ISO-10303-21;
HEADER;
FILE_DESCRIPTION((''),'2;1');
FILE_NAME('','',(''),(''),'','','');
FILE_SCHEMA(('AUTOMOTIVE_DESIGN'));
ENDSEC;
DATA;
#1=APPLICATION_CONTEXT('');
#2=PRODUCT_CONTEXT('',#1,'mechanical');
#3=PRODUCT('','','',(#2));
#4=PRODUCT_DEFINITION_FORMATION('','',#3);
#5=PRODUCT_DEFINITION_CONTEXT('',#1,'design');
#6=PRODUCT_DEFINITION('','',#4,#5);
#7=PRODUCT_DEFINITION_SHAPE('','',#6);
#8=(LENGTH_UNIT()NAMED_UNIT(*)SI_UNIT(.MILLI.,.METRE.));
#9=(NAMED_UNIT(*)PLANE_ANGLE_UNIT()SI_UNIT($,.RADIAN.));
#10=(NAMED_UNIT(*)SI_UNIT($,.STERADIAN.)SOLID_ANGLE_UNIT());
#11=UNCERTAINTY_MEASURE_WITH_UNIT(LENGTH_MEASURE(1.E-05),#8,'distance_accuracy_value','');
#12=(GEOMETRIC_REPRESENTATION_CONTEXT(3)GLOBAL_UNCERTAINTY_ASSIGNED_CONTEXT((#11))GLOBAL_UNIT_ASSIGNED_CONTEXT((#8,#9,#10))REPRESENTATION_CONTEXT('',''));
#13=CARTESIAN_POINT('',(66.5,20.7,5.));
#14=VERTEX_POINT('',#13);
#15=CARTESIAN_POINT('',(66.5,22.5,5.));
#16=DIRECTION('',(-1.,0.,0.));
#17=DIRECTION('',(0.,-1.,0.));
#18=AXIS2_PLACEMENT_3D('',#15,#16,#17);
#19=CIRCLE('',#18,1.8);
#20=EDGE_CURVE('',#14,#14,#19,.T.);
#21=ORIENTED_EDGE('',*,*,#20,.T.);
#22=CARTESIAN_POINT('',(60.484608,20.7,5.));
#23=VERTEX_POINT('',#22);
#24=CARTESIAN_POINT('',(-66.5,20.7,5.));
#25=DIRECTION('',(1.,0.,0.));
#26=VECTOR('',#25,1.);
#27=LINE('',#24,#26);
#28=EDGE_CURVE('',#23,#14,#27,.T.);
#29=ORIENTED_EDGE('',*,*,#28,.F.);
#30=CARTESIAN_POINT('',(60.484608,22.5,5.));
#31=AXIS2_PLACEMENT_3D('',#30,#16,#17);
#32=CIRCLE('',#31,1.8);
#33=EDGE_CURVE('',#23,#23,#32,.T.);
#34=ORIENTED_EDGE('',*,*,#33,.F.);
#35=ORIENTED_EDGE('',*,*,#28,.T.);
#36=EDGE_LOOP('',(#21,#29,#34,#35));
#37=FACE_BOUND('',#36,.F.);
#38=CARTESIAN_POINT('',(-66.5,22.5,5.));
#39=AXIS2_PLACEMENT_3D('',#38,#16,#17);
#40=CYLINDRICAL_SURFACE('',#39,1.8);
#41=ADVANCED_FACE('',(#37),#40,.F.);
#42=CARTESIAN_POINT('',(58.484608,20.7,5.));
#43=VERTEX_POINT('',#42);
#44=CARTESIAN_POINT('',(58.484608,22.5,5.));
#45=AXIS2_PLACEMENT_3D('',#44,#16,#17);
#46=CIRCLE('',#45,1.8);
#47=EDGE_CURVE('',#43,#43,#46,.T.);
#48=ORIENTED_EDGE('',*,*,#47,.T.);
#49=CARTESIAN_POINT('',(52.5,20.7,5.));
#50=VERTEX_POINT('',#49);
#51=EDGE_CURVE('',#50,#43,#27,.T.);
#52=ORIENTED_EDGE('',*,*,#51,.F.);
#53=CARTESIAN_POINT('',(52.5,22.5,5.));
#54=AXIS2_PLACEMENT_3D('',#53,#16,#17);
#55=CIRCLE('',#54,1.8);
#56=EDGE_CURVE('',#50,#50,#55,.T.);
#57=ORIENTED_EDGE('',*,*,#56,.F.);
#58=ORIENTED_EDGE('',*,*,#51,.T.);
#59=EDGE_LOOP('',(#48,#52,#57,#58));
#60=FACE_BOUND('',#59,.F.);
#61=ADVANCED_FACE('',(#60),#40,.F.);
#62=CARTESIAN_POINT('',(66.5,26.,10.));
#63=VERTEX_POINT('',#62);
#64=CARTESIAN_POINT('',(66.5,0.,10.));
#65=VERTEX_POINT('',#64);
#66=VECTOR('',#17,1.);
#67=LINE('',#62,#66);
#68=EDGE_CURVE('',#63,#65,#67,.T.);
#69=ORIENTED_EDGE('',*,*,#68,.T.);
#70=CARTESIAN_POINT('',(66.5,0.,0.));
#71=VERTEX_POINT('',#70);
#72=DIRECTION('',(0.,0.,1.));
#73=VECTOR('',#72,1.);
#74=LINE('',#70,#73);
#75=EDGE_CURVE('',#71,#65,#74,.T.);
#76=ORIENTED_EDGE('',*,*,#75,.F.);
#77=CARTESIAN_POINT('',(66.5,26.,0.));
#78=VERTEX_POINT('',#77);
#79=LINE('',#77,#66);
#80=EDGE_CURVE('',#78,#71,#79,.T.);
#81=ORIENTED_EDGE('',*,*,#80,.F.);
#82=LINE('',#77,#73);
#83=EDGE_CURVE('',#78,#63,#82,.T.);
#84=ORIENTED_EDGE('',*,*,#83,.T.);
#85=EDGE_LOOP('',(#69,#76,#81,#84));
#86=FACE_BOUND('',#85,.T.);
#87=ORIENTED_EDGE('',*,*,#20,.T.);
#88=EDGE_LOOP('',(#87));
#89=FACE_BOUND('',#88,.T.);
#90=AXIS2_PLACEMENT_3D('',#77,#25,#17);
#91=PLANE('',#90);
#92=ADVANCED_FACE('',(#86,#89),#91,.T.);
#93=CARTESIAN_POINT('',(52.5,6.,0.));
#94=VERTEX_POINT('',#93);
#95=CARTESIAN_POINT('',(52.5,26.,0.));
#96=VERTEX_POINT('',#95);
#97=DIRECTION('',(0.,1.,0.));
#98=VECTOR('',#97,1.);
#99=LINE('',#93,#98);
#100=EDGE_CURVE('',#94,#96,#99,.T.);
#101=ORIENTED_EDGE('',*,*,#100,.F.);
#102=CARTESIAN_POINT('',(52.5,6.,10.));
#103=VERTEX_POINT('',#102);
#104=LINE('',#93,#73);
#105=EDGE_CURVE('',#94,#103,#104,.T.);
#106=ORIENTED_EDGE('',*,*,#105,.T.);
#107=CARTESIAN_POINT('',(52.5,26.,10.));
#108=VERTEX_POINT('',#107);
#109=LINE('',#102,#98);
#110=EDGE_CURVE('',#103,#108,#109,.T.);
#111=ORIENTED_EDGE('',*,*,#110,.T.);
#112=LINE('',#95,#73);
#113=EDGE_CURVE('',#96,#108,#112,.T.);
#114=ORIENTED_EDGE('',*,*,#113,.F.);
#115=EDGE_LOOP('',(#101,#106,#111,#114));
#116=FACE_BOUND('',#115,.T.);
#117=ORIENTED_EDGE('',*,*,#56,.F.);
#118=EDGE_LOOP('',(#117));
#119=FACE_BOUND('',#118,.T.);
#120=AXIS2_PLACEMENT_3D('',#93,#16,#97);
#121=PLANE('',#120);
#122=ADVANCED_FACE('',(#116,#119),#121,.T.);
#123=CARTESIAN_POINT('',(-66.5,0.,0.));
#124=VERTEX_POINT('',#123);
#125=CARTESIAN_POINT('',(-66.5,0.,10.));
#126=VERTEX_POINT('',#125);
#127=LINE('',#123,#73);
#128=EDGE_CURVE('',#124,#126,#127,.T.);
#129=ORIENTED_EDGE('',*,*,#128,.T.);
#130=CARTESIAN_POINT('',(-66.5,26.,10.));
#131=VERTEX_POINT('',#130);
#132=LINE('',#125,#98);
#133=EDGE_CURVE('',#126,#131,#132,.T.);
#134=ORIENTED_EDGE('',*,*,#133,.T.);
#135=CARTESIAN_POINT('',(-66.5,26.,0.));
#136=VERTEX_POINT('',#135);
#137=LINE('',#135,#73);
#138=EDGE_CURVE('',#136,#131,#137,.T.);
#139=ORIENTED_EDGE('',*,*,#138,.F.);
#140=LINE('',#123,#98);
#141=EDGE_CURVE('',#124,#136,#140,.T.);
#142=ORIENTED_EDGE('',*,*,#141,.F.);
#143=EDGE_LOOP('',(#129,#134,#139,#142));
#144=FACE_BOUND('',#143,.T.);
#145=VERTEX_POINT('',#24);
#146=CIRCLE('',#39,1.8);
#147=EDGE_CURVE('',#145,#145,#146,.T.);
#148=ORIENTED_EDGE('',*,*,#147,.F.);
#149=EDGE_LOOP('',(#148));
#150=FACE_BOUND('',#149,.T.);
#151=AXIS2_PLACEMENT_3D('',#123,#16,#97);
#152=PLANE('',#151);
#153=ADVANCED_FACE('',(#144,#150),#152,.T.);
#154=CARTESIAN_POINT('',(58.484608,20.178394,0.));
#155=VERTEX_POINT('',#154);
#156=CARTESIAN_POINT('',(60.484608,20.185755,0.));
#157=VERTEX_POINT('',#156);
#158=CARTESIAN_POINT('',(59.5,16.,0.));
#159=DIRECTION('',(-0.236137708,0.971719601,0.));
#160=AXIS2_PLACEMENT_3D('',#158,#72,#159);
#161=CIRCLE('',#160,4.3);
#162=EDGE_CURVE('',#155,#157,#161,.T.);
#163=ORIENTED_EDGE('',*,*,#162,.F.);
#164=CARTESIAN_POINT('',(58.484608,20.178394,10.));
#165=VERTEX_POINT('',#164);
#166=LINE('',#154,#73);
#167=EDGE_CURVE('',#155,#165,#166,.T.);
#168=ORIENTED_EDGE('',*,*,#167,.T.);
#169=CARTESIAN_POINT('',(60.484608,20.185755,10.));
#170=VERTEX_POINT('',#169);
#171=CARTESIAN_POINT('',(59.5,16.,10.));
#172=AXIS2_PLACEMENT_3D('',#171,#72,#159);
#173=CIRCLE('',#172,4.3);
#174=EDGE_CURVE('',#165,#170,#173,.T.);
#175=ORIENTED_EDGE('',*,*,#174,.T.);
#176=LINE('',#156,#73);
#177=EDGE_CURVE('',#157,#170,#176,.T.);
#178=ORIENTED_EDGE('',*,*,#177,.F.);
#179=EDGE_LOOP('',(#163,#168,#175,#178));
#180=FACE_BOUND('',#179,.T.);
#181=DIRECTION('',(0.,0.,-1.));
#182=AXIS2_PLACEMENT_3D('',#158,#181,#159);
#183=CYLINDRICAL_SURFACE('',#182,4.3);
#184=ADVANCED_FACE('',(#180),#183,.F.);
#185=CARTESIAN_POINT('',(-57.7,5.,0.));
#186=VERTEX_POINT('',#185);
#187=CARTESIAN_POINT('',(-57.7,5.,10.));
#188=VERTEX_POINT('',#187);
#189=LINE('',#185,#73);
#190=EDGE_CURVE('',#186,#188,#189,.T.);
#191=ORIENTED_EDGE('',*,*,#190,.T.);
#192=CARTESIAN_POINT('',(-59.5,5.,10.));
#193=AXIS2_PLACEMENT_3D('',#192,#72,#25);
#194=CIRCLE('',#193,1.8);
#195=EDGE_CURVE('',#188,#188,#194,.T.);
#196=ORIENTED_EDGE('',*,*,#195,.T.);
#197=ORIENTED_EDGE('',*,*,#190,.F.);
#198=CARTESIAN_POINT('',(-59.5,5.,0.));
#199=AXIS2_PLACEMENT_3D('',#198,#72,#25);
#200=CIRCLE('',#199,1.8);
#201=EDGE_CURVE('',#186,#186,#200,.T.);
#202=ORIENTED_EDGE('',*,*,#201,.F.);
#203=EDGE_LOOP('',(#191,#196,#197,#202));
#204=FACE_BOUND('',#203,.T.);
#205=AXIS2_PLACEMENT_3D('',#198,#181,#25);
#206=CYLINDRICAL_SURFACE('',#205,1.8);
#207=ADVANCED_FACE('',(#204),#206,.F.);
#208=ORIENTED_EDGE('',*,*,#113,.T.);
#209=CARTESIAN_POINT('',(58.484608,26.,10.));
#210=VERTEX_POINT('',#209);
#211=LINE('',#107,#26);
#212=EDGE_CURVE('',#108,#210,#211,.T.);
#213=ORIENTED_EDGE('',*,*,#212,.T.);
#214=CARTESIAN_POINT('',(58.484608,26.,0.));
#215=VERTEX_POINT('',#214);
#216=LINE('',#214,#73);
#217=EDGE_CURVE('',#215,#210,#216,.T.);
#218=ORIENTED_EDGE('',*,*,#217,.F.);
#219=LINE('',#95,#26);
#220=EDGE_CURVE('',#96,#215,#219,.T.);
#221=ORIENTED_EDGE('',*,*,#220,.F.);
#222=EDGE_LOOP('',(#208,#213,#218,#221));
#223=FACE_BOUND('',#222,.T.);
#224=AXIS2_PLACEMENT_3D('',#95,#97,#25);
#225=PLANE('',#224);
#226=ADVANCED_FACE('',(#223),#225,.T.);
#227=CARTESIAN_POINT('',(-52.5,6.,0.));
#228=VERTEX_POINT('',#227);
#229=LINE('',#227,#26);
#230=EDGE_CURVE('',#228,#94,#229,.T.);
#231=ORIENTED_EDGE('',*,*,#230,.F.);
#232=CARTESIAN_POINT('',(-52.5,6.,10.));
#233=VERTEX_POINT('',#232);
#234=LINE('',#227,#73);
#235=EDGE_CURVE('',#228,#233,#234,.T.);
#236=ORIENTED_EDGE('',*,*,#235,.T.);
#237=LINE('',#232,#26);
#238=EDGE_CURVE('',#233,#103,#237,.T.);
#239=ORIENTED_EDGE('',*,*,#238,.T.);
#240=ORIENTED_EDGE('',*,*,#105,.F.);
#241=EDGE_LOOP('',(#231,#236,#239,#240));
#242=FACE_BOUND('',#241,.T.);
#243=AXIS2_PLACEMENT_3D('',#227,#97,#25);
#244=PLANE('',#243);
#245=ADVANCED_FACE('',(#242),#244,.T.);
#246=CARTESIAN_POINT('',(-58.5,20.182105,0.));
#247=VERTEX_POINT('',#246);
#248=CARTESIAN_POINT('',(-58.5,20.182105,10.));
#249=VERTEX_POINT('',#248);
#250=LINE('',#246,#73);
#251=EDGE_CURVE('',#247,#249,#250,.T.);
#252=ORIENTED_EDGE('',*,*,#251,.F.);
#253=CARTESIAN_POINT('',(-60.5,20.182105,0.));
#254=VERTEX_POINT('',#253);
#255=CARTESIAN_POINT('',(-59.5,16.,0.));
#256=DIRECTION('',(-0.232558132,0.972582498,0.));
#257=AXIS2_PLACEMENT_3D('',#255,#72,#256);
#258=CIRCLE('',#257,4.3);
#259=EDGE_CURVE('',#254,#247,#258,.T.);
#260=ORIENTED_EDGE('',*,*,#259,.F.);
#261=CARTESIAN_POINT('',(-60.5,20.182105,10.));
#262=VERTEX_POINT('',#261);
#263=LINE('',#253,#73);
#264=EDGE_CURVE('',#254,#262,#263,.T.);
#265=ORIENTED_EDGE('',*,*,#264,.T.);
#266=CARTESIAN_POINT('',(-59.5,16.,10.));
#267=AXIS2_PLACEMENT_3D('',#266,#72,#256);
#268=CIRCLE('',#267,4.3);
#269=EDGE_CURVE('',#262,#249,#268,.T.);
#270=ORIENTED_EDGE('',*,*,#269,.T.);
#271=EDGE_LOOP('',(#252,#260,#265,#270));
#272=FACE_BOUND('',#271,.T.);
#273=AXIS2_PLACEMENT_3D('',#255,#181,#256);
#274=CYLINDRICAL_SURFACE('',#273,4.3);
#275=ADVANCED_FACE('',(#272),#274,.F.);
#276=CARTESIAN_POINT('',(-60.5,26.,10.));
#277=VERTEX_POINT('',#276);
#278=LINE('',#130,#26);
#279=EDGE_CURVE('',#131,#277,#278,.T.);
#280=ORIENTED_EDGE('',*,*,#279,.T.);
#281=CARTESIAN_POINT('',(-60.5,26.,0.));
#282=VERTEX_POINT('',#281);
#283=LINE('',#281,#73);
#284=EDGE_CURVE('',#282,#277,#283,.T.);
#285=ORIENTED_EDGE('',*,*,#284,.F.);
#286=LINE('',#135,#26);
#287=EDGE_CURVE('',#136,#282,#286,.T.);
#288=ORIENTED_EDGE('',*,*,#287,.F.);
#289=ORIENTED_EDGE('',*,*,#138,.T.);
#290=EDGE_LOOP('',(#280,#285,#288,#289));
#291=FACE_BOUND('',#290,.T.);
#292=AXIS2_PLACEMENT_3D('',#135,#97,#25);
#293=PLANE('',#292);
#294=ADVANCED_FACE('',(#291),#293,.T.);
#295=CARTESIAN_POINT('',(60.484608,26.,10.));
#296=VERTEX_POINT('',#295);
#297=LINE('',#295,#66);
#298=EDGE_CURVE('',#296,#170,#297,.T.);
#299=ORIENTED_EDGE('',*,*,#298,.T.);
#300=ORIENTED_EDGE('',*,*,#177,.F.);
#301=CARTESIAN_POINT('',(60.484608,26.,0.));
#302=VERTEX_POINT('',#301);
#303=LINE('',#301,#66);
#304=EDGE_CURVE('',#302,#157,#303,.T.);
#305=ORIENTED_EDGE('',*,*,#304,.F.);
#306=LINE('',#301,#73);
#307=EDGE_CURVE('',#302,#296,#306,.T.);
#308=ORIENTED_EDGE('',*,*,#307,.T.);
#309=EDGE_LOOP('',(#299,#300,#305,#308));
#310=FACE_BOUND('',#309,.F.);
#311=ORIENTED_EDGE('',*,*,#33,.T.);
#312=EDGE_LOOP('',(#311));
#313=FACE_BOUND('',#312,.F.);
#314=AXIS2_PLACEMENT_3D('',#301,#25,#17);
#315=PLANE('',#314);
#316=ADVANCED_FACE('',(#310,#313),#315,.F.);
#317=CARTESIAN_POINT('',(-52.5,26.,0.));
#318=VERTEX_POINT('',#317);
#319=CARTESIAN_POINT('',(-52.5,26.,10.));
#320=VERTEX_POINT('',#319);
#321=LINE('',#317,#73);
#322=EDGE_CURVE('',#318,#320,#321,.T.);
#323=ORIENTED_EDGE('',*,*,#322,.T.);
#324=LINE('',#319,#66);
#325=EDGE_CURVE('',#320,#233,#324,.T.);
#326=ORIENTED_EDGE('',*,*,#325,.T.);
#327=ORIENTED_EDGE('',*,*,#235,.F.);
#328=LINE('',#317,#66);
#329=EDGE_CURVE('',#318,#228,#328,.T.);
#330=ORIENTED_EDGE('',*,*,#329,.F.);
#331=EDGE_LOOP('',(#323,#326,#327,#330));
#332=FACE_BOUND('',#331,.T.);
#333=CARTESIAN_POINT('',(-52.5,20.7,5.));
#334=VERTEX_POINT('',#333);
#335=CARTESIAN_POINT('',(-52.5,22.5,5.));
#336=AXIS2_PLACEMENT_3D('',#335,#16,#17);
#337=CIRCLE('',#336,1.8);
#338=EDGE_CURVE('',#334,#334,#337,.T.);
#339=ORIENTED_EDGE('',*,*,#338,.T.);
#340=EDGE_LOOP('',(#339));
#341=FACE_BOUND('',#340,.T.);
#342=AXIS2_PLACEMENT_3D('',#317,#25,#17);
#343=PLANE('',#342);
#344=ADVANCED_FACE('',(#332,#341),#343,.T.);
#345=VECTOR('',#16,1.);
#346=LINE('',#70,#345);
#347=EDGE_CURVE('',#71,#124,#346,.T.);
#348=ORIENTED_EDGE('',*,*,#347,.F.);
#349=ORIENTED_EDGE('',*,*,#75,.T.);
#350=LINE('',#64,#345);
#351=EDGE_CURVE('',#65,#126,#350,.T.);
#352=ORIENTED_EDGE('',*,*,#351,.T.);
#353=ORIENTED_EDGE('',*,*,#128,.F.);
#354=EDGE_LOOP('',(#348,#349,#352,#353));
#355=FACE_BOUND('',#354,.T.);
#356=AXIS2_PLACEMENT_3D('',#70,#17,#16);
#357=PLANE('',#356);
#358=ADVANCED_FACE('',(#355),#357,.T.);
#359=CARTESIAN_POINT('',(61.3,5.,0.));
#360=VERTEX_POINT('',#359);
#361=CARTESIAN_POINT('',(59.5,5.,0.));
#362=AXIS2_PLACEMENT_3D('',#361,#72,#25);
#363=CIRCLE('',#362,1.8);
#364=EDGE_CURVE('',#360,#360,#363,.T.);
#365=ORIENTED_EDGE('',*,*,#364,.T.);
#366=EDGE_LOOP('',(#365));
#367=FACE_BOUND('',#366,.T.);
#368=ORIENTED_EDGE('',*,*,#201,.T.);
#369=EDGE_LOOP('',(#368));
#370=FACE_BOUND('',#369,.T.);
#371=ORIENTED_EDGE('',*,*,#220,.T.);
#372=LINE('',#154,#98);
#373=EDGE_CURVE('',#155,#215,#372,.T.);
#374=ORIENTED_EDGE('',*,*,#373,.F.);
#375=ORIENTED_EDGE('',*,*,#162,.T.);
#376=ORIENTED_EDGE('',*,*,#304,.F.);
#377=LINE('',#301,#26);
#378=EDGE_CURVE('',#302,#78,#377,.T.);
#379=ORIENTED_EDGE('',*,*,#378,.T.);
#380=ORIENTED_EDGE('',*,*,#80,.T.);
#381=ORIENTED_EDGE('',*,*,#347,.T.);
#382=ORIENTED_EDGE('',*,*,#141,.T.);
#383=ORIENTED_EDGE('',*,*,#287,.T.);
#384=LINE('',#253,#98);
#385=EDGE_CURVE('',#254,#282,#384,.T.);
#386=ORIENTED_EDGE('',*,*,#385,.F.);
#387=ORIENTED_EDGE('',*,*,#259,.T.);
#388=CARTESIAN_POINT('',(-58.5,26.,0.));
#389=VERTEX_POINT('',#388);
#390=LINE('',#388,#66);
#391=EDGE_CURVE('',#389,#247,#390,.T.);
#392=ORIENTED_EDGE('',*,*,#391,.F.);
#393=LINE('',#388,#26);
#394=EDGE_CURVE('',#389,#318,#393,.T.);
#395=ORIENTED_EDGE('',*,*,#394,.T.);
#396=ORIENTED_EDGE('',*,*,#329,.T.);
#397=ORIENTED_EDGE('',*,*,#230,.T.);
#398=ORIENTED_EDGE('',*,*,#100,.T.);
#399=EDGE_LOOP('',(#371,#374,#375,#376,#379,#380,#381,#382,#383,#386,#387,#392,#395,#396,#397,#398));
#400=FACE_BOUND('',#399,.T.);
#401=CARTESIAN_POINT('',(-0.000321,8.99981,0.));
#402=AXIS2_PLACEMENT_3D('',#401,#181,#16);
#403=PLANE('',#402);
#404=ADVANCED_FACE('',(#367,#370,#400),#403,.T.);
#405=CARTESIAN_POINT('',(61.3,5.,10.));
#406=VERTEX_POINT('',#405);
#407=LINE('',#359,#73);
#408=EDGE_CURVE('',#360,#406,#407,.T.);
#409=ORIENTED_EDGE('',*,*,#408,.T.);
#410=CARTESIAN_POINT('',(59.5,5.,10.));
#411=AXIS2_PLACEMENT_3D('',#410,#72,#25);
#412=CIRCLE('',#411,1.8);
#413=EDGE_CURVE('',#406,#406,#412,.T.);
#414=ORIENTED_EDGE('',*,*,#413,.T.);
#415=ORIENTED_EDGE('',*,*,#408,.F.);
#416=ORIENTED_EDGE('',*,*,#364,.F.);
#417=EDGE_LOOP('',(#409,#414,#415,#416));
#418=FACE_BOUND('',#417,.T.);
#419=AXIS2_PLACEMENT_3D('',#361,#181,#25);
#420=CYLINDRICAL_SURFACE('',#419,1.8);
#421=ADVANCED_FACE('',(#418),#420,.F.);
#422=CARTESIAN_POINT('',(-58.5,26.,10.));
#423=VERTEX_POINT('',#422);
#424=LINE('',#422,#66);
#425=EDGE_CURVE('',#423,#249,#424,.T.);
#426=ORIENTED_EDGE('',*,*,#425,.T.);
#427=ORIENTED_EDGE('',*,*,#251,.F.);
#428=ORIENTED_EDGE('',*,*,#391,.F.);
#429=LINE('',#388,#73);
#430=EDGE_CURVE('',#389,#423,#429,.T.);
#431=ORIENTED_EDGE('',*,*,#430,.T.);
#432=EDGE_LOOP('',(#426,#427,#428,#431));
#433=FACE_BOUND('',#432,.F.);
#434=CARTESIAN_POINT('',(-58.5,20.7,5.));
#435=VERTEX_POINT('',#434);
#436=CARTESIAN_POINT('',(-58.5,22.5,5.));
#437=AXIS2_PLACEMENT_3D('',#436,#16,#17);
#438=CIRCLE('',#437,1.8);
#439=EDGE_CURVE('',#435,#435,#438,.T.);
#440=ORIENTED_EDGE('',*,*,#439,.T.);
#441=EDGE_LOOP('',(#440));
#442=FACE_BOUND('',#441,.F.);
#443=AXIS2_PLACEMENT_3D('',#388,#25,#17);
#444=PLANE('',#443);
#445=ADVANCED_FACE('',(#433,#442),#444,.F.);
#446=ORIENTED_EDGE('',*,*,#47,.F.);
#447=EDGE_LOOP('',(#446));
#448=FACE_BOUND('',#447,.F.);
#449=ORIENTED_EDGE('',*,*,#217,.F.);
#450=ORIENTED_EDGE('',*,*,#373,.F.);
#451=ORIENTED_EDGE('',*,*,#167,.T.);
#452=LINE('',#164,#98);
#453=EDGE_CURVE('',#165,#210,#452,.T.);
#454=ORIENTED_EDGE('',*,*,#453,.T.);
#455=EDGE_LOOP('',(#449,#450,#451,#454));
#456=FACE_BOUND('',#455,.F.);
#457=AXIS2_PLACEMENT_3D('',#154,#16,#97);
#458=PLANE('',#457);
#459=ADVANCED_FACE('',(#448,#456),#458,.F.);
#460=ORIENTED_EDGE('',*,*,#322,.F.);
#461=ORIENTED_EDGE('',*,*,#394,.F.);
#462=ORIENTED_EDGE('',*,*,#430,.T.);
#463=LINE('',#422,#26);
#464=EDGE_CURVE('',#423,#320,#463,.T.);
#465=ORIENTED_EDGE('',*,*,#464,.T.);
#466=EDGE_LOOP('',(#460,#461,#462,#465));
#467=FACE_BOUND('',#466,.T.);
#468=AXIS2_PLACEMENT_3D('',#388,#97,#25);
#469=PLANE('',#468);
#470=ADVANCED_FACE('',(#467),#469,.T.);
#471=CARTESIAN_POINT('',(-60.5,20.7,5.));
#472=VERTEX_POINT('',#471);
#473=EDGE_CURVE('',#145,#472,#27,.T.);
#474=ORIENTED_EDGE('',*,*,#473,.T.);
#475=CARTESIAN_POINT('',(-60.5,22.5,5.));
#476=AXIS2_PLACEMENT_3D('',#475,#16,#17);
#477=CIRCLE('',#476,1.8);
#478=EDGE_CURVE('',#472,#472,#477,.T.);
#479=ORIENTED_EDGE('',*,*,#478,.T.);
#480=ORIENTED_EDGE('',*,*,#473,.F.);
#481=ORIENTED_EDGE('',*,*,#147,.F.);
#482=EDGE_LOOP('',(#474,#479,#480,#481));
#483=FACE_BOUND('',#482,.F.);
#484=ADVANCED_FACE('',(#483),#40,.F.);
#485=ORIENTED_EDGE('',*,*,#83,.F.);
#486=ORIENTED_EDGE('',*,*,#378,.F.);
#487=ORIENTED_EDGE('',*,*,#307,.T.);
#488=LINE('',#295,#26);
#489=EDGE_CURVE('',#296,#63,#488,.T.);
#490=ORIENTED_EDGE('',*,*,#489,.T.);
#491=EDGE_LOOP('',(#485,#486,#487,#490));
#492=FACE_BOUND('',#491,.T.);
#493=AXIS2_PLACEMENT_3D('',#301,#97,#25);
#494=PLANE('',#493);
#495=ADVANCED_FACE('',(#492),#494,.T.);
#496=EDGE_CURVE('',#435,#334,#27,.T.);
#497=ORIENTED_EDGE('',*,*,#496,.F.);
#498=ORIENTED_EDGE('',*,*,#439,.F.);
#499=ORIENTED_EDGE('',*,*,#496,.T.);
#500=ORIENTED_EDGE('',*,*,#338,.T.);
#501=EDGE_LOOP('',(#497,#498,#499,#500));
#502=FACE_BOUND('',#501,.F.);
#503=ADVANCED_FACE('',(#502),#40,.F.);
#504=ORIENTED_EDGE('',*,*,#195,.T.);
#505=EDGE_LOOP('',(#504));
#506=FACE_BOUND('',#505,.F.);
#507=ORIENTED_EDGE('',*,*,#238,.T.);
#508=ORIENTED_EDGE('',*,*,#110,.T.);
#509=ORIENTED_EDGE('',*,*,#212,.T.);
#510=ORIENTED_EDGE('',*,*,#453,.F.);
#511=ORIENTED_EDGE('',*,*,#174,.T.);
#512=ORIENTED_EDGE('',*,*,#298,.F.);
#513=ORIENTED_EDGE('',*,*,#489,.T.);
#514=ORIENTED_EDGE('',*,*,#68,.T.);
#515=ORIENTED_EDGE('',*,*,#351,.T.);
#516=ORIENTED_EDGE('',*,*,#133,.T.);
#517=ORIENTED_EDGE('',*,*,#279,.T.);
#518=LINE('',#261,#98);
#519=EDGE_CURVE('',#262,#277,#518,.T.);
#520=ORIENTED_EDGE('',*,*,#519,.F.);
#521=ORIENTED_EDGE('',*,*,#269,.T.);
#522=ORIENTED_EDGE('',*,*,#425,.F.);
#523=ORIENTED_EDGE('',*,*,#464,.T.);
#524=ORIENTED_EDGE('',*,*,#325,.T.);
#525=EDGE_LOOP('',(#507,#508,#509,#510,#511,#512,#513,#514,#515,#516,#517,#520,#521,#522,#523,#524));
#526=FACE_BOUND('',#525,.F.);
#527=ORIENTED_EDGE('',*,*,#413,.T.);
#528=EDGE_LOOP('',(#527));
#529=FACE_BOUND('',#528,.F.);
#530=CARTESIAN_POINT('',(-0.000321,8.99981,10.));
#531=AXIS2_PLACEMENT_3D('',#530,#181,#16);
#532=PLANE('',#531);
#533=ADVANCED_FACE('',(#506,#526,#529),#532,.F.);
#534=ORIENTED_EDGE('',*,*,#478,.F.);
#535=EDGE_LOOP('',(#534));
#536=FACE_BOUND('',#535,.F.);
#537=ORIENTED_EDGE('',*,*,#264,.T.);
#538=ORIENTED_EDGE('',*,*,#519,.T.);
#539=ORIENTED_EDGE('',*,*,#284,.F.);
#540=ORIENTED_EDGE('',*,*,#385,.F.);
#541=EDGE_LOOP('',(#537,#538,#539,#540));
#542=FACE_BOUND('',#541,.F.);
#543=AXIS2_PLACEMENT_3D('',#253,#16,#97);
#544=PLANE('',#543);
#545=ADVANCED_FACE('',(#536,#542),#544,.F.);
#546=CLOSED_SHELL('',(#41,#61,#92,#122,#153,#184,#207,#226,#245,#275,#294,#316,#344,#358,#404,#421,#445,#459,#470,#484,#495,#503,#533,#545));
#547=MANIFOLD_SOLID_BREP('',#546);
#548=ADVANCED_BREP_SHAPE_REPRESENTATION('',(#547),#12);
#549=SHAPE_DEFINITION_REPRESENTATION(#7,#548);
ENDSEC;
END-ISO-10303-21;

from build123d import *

# Parameters (mm, degrees)
SKETCH_R     = 1.8
PAD_DEPTH    = 10
SKETCH001_R  = 1.8
POCKET_DEPTH = 133.001


with BuildPart() as part:
    # Sketch → Pad (new body)
    with BuildSketch(Plane.XY):
        with BuildLine():
            ThreePointArc((-60.5, 20.182105), (-59.5, 11.7), (-58.5, 20.182105))
            Line((-58.5, 26), (-58.5, 20.182105))
            Line((-58.5, 26), (-52.5, 26))
            Line((-52.5, 26), (-52.5, 6))
            Line((-52.5, 6), (52.5, 6))
            Line((52.5, 6), (52.5, 26))
            Line((52.5, 26), (58.484608, 26))
            Line((58.484608, 20.178394), (58.484608, 26))
            ThreePointArc((58.484608, 20.178394), (59.515826, 11.700029), (60.484608, 20.185755))
            Line((60.484608, 26), (60.484608, 20.185755))
            Line((60.484608, 26), (66.5, 26))
            Line((66.5, 26), (66.5, 0))
            Line((66.5, 0), (-66.5, 0))
            Line((-66.5, 0), (-66.5, 26))
            Line((-66.5, 26), (-60.5, 26))
            Line((-60.5, 20.182105), (-60.5, 26))
        make_face()
        with Locations((-59.5, 5)):
            Circle(SKETCH_R, mode=Mode.SUBTRACT)
        with Locations((59.5, 5)):
            Circle(SKETCH_R, mode=Mode.SUBTRACT)
    extrude(amount=PAD_DEPTH)

    # Sketch001 → Pocket (cut, through all)
    with BuildSketch(Plane(origin=(-66.5, 0, 0), x_dir=(0, -1, 0), z_dir=(-1, 0, 0))):
        with Locations((-22.5, 5)):
            Circle(SKETCH001_R)
    extrude(amount=-POCKET_DEPTH, mode=Mode.SUBTRACT)


solid = part.part
